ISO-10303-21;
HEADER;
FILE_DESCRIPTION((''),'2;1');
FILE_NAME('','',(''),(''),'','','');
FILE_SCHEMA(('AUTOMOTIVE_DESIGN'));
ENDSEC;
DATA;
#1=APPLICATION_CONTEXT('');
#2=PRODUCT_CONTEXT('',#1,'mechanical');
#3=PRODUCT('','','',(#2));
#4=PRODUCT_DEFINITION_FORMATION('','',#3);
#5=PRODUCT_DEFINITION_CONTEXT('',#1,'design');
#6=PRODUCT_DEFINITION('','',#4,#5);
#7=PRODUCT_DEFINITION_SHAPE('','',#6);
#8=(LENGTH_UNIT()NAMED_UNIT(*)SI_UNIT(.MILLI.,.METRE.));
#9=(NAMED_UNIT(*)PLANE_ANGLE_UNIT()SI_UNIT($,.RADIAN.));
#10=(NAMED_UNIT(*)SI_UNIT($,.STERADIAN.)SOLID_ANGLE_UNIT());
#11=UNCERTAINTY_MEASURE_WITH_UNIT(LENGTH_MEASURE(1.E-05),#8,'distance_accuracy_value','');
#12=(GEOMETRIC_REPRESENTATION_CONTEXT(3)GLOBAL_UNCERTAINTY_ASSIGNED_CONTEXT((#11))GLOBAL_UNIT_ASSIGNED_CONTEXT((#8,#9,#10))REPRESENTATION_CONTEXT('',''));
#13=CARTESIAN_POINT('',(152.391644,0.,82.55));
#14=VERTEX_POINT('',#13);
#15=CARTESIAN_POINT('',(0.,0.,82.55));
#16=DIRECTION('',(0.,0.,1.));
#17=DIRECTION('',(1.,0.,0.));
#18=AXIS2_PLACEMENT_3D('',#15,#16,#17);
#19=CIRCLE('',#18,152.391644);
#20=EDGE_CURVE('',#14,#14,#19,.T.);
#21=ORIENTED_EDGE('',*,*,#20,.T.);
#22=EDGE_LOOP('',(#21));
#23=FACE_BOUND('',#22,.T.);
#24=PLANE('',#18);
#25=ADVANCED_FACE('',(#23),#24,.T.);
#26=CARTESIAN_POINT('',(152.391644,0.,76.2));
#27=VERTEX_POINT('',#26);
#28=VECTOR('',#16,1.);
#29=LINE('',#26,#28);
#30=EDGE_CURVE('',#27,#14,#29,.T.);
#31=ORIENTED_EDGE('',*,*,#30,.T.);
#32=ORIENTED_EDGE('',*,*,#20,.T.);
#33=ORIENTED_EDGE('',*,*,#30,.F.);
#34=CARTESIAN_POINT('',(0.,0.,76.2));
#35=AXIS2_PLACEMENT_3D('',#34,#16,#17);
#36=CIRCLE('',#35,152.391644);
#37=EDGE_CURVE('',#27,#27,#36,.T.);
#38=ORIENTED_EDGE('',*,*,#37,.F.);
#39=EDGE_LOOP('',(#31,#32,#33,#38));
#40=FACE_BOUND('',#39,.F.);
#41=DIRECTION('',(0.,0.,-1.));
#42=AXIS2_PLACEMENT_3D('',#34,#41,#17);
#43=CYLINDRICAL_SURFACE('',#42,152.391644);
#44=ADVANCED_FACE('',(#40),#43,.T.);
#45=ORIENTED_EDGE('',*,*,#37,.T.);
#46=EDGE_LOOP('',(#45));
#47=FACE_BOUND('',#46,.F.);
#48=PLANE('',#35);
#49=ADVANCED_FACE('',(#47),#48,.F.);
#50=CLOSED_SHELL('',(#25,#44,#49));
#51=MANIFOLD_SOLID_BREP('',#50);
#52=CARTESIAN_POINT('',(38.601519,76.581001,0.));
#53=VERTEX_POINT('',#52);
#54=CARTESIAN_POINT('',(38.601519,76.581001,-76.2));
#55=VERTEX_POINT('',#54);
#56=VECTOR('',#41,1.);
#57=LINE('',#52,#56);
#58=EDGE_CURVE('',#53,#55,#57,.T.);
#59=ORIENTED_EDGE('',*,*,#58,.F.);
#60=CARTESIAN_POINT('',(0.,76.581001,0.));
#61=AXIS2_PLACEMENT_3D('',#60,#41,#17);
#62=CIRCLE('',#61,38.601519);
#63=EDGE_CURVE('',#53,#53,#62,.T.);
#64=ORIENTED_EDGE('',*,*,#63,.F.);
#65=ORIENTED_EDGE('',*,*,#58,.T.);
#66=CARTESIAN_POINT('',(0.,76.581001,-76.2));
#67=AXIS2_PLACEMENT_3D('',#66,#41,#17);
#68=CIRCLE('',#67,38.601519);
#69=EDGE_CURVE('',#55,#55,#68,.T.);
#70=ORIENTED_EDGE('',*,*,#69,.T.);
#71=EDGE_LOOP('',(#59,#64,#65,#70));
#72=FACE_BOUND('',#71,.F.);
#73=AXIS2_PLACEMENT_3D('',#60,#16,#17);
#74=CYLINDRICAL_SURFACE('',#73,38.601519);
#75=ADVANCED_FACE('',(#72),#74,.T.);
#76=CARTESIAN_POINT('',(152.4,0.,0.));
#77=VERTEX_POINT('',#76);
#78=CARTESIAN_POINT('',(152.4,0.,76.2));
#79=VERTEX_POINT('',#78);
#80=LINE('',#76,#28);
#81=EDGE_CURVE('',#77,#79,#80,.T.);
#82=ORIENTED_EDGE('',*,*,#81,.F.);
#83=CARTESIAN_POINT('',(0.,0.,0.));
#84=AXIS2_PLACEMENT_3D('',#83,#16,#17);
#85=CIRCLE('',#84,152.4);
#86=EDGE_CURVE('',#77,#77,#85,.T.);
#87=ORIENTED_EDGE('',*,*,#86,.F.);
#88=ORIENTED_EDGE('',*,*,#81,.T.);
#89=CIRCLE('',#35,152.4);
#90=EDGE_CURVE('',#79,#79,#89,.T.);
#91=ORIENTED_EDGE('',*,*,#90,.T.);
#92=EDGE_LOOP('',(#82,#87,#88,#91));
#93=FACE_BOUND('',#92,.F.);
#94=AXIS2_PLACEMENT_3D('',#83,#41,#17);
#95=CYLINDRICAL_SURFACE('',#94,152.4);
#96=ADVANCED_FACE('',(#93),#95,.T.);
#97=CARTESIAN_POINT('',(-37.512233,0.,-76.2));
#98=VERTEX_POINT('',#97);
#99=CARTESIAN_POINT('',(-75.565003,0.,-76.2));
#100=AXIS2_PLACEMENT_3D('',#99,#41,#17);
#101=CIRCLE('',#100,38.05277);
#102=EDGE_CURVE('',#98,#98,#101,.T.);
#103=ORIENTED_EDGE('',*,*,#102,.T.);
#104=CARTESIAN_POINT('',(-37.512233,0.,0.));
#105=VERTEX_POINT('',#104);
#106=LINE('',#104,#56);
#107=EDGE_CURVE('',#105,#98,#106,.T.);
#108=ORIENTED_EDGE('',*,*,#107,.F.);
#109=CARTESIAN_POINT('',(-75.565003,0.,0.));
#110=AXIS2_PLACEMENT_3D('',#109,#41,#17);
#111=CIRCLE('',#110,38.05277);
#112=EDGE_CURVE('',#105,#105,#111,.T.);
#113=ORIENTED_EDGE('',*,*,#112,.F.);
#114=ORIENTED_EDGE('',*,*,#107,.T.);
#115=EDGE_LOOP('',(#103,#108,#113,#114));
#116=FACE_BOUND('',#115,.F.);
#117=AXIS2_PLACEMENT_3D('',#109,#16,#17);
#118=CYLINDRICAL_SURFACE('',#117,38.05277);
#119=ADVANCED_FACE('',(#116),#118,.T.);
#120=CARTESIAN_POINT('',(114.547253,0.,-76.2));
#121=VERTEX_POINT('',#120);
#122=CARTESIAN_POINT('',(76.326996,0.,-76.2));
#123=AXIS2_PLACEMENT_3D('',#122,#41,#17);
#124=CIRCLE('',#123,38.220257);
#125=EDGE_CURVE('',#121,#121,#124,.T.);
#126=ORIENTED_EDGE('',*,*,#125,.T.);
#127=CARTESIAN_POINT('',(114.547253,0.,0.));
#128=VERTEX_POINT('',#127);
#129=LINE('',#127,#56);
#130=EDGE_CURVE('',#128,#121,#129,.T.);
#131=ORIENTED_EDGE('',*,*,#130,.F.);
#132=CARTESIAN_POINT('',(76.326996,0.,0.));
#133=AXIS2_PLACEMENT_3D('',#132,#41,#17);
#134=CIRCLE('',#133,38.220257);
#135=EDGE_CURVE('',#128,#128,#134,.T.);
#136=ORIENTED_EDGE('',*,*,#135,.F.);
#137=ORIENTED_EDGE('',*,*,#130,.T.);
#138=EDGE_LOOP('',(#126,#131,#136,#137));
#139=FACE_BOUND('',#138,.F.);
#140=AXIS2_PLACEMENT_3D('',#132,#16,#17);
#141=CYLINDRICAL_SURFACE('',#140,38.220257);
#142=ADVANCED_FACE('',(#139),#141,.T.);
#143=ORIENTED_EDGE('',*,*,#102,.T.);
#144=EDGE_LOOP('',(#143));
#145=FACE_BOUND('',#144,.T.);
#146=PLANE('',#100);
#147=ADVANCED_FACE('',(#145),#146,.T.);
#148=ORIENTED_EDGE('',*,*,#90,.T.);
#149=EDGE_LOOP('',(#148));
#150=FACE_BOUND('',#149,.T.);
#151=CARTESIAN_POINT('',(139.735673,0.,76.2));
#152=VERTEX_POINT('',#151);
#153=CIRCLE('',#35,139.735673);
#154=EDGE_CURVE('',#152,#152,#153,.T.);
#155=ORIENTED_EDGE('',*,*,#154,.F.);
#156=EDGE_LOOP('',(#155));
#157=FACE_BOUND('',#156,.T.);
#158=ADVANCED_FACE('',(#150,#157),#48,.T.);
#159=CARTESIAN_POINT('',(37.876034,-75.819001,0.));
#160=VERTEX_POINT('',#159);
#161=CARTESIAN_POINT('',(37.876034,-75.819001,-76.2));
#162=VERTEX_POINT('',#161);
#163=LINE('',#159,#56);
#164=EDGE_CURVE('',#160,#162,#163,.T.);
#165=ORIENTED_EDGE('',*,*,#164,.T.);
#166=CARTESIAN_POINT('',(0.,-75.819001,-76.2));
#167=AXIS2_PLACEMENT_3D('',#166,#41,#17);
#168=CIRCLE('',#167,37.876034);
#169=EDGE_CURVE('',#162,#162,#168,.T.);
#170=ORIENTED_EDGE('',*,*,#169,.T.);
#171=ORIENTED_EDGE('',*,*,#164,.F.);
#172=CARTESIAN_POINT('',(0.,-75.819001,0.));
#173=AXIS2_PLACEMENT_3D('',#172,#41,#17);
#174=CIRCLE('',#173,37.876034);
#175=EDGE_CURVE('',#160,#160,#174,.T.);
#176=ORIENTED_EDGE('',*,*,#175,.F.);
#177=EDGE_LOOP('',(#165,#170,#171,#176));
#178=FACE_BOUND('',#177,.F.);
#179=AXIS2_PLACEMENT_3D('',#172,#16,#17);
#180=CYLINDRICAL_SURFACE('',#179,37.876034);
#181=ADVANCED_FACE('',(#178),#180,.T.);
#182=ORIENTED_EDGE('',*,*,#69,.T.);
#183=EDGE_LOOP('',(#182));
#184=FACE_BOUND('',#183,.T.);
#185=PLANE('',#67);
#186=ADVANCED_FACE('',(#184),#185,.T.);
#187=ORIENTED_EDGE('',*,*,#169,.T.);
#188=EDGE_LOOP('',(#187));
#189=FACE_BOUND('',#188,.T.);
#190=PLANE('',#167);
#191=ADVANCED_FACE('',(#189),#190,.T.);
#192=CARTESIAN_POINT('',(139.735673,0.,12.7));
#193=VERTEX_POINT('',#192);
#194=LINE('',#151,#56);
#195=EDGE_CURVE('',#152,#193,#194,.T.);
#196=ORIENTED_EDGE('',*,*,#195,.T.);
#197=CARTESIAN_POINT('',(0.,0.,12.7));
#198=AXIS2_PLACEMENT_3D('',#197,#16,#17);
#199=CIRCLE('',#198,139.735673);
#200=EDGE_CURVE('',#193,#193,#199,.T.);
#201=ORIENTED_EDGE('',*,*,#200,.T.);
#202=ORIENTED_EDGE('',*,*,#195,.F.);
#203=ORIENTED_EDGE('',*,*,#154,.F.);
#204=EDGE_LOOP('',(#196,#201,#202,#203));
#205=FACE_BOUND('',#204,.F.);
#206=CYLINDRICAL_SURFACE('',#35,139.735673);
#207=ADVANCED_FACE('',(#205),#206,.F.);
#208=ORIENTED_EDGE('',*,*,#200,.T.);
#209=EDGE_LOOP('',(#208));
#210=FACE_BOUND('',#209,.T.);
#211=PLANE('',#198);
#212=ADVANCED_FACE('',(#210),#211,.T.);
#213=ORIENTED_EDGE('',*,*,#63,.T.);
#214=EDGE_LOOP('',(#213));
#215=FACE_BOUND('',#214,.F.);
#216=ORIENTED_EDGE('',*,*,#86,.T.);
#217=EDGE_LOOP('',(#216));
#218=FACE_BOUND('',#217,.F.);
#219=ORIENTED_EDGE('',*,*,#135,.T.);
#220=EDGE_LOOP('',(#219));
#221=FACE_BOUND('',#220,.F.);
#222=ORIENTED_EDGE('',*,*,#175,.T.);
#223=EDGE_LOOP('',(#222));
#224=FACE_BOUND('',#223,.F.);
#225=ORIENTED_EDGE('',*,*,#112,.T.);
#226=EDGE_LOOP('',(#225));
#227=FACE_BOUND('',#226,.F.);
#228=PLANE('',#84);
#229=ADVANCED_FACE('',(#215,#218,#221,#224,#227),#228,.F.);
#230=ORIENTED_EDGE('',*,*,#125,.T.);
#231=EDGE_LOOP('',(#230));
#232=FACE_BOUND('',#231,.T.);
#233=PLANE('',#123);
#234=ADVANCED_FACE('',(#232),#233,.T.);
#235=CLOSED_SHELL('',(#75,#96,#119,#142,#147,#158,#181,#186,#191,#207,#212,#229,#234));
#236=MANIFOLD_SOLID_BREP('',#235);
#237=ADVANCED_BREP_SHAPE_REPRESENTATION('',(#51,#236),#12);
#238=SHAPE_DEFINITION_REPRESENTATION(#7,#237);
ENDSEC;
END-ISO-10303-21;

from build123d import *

# Parameters (mm, degrees)
F0_R     = 152.4
F1_DEPTH = 76.2
F2_R     = 139.735673
F3_DEPTH = 63.5
F4_R     = 152.391644
F5_DEPTH = 6.35
F6_R     = 38.220257
F6_R_2   = 37.876034
F6_R_3   = 38.05277
F6_R_4   = 38.601519
F7_DEPTH = 76.2


with BuildPart() as f1:
    # F0 (on Top) → F1 (new body)
    with BuildSketch(Plane.XY):
        Circle(F0_R)
    extrude(amount=F1_DEPTH)

    # F2 (on face) → F3 (cut)
    with BuildSketch(Plane.XY.offset(76.2)):
        Circle(F2_R)
    extrude(amount=-F3_DEPTH, mode=Mode.SUBTRACT)

    # F6 (on face) → F7 (join)
    with BuildSketch(Plane(origin=(0, 0, 0), x_dir=(1, 0, 0), z_dir=(0, 0, -1))):
        with Locations((76.326996, 0)):
            Circle(F6_R)
        with Locations((0, 75.819001)):
            Circle(F6_R_2)
        with Locations((-75.565003, 0)):
            Circle(F6_R_3)
        with Locations((0, -76.581001)):
            Circle(F6_R_4)
    extrude(amount=F7_DEPTH)


with BuildPart() as f5:
    # F4 (on face) → F5 (new body)
    with BuildSketch(Plane.XY.offset(76.2)):
        Circle(F4_R)
    extrude(amount=F5_DEPTH)


solid = Compound([f1.part, f5.part])
